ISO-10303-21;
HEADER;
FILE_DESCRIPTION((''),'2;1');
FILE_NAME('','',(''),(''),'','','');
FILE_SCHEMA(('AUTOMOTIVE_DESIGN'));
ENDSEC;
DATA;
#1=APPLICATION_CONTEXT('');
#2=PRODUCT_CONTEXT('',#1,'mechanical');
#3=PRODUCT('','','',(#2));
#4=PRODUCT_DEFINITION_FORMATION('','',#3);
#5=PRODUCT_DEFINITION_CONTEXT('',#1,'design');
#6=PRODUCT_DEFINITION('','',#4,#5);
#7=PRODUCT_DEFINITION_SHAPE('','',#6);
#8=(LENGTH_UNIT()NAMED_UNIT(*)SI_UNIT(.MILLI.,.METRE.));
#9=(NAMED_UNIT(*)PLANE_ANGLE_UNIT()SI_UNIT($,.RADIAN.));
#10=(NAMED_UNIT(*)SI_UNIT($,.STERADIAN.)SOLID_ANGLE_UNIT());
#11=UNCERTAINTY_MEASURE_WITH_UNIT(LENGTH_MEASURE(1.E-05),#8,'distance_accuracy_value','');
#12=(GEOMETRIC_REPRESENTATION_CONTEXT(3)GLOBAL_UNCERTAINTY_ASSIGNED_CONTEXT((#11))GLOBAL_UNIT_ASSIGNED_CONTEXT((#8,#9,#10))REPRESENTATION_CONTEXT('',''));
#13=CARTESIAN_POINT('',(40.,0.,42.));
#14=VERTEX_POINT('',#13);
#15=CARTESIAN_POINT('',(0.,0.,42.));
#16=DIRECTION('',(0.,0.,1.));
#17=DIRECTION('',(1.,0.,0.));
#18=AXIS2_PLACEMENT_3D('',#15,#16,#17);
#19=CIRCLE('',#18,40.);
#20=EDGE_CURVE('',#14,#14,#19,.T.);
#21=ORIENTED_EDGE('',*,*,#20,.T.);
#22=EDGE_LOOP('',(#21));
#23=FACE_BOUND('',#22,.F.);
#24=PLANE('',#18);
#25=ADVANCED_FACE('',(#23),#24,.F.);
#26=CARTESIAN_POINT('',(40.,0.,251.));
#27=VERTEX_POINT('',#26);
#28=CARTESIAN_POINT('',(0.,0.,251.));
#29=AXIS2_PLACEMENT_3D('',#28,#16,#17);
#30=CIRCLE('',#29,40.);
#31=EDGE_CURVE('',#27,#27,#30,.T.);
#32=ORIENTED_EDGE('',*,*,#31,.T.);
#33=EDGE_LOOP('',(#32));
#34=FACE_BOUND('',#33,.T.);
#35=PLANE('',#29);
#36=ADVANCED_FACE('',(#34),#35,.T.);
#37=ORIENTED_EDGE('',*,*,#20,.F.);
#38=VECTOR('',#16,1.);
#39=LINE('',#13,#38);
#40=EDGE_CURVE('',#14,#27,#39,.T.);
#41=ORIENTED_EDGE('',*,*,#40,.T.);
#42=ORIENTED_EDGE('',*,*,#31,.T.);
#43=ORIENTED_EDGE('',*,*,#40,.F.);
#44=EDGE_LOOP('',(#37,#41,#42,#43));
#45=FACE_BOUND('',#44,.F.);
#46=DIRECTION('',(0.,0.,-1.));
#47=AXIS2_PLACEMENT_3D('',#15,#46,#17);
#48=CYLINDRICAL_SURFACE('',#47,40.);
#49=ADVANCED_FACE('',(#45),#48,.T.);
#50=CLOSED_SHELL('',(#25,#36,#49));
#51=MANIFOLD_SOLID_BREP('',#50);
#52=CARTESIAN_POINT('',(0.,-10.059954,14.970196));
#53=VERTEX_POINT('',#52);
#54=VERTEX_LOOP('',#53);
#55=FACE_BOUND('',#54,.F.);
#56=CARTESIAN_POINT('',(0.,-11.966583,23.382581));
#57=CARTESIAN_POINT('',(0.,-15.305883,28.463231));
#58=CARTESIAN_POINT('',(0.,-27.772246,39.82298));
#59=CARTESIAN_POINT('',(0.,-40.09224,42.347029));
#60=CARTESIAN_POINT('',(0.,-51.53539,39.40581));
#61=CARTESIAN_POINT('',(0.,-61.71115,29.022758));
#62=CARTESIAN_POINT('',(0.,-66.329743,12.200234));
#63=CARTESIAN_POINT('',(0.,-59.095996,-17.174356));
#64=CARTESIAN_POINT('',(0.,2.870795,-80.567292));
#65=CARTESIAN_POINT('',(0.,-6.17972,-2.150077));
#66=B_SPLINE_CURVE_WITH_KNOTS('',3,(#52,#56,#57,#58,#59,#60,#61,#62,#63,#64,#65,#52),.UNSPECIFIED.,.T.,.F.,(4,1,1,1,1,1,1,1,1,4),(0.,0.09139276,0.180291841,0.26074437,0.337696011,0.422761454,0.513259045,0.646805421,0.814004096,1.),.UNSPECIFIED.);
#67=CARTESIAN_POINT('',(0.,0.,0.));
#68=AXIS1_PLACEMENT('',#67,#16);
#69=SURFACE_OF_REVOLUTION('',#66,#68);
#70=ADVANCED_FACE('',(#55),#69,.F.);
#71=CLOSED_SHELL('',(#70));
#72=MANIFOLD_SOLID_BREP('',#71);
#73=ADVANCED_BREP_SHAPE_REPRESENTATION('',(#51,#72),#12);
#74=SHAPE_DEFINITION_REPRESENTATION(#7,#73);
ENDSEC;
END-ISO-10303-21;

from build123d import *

# Parameters (mm, degrees)
F4_R     = 40
F5_DEPTH = 209


with BuildPart() as f2:
    # F1 (on Right) → F2 (revolve)
    with BuildSketch(Plane.YZ):
        with BuildLine():
            add(Edge.make_bspline(
                [(-10.0599536672, 14.970196411), (-11.9665832002, 23.382581067), (-15.3058834464, 28.4632306646), (-27.7722455242, 39.8229803307), (-40.092240131, 42.3470285538), (-51.5353895707, 39.405810423), (-61.7111502135, 29.0227580066), (-66.3297427252, 12.2002344417), (-59.0959958254, -17.174356253), (2.8707949144, -80.5672922702), (-6.1797198054, -2.1500774732), (-10.0599536672, 14.970196411)],
                knots=[0, 0, 0, 0, 0.0913927604, 0.1802918407, 0.2607443701, 0.3376960107, 0.4227614538, 0.5132590452, 0.6468054212, 0.814004096, 1, 1, 1, 1], degree=3))
        make_face()
    revolve(axis=Axis((0, 0, 0), (0, 0, 1)))


with BuildPart() as f5:
    # F4 (on offset) → F5 (new body)
    with BuildSketch(Plane.XY.offset(42)):
        Circle(F4_R)
    extrude(amount=F5_DEPTH)


solid = Compound([f2.part, f5.part])
